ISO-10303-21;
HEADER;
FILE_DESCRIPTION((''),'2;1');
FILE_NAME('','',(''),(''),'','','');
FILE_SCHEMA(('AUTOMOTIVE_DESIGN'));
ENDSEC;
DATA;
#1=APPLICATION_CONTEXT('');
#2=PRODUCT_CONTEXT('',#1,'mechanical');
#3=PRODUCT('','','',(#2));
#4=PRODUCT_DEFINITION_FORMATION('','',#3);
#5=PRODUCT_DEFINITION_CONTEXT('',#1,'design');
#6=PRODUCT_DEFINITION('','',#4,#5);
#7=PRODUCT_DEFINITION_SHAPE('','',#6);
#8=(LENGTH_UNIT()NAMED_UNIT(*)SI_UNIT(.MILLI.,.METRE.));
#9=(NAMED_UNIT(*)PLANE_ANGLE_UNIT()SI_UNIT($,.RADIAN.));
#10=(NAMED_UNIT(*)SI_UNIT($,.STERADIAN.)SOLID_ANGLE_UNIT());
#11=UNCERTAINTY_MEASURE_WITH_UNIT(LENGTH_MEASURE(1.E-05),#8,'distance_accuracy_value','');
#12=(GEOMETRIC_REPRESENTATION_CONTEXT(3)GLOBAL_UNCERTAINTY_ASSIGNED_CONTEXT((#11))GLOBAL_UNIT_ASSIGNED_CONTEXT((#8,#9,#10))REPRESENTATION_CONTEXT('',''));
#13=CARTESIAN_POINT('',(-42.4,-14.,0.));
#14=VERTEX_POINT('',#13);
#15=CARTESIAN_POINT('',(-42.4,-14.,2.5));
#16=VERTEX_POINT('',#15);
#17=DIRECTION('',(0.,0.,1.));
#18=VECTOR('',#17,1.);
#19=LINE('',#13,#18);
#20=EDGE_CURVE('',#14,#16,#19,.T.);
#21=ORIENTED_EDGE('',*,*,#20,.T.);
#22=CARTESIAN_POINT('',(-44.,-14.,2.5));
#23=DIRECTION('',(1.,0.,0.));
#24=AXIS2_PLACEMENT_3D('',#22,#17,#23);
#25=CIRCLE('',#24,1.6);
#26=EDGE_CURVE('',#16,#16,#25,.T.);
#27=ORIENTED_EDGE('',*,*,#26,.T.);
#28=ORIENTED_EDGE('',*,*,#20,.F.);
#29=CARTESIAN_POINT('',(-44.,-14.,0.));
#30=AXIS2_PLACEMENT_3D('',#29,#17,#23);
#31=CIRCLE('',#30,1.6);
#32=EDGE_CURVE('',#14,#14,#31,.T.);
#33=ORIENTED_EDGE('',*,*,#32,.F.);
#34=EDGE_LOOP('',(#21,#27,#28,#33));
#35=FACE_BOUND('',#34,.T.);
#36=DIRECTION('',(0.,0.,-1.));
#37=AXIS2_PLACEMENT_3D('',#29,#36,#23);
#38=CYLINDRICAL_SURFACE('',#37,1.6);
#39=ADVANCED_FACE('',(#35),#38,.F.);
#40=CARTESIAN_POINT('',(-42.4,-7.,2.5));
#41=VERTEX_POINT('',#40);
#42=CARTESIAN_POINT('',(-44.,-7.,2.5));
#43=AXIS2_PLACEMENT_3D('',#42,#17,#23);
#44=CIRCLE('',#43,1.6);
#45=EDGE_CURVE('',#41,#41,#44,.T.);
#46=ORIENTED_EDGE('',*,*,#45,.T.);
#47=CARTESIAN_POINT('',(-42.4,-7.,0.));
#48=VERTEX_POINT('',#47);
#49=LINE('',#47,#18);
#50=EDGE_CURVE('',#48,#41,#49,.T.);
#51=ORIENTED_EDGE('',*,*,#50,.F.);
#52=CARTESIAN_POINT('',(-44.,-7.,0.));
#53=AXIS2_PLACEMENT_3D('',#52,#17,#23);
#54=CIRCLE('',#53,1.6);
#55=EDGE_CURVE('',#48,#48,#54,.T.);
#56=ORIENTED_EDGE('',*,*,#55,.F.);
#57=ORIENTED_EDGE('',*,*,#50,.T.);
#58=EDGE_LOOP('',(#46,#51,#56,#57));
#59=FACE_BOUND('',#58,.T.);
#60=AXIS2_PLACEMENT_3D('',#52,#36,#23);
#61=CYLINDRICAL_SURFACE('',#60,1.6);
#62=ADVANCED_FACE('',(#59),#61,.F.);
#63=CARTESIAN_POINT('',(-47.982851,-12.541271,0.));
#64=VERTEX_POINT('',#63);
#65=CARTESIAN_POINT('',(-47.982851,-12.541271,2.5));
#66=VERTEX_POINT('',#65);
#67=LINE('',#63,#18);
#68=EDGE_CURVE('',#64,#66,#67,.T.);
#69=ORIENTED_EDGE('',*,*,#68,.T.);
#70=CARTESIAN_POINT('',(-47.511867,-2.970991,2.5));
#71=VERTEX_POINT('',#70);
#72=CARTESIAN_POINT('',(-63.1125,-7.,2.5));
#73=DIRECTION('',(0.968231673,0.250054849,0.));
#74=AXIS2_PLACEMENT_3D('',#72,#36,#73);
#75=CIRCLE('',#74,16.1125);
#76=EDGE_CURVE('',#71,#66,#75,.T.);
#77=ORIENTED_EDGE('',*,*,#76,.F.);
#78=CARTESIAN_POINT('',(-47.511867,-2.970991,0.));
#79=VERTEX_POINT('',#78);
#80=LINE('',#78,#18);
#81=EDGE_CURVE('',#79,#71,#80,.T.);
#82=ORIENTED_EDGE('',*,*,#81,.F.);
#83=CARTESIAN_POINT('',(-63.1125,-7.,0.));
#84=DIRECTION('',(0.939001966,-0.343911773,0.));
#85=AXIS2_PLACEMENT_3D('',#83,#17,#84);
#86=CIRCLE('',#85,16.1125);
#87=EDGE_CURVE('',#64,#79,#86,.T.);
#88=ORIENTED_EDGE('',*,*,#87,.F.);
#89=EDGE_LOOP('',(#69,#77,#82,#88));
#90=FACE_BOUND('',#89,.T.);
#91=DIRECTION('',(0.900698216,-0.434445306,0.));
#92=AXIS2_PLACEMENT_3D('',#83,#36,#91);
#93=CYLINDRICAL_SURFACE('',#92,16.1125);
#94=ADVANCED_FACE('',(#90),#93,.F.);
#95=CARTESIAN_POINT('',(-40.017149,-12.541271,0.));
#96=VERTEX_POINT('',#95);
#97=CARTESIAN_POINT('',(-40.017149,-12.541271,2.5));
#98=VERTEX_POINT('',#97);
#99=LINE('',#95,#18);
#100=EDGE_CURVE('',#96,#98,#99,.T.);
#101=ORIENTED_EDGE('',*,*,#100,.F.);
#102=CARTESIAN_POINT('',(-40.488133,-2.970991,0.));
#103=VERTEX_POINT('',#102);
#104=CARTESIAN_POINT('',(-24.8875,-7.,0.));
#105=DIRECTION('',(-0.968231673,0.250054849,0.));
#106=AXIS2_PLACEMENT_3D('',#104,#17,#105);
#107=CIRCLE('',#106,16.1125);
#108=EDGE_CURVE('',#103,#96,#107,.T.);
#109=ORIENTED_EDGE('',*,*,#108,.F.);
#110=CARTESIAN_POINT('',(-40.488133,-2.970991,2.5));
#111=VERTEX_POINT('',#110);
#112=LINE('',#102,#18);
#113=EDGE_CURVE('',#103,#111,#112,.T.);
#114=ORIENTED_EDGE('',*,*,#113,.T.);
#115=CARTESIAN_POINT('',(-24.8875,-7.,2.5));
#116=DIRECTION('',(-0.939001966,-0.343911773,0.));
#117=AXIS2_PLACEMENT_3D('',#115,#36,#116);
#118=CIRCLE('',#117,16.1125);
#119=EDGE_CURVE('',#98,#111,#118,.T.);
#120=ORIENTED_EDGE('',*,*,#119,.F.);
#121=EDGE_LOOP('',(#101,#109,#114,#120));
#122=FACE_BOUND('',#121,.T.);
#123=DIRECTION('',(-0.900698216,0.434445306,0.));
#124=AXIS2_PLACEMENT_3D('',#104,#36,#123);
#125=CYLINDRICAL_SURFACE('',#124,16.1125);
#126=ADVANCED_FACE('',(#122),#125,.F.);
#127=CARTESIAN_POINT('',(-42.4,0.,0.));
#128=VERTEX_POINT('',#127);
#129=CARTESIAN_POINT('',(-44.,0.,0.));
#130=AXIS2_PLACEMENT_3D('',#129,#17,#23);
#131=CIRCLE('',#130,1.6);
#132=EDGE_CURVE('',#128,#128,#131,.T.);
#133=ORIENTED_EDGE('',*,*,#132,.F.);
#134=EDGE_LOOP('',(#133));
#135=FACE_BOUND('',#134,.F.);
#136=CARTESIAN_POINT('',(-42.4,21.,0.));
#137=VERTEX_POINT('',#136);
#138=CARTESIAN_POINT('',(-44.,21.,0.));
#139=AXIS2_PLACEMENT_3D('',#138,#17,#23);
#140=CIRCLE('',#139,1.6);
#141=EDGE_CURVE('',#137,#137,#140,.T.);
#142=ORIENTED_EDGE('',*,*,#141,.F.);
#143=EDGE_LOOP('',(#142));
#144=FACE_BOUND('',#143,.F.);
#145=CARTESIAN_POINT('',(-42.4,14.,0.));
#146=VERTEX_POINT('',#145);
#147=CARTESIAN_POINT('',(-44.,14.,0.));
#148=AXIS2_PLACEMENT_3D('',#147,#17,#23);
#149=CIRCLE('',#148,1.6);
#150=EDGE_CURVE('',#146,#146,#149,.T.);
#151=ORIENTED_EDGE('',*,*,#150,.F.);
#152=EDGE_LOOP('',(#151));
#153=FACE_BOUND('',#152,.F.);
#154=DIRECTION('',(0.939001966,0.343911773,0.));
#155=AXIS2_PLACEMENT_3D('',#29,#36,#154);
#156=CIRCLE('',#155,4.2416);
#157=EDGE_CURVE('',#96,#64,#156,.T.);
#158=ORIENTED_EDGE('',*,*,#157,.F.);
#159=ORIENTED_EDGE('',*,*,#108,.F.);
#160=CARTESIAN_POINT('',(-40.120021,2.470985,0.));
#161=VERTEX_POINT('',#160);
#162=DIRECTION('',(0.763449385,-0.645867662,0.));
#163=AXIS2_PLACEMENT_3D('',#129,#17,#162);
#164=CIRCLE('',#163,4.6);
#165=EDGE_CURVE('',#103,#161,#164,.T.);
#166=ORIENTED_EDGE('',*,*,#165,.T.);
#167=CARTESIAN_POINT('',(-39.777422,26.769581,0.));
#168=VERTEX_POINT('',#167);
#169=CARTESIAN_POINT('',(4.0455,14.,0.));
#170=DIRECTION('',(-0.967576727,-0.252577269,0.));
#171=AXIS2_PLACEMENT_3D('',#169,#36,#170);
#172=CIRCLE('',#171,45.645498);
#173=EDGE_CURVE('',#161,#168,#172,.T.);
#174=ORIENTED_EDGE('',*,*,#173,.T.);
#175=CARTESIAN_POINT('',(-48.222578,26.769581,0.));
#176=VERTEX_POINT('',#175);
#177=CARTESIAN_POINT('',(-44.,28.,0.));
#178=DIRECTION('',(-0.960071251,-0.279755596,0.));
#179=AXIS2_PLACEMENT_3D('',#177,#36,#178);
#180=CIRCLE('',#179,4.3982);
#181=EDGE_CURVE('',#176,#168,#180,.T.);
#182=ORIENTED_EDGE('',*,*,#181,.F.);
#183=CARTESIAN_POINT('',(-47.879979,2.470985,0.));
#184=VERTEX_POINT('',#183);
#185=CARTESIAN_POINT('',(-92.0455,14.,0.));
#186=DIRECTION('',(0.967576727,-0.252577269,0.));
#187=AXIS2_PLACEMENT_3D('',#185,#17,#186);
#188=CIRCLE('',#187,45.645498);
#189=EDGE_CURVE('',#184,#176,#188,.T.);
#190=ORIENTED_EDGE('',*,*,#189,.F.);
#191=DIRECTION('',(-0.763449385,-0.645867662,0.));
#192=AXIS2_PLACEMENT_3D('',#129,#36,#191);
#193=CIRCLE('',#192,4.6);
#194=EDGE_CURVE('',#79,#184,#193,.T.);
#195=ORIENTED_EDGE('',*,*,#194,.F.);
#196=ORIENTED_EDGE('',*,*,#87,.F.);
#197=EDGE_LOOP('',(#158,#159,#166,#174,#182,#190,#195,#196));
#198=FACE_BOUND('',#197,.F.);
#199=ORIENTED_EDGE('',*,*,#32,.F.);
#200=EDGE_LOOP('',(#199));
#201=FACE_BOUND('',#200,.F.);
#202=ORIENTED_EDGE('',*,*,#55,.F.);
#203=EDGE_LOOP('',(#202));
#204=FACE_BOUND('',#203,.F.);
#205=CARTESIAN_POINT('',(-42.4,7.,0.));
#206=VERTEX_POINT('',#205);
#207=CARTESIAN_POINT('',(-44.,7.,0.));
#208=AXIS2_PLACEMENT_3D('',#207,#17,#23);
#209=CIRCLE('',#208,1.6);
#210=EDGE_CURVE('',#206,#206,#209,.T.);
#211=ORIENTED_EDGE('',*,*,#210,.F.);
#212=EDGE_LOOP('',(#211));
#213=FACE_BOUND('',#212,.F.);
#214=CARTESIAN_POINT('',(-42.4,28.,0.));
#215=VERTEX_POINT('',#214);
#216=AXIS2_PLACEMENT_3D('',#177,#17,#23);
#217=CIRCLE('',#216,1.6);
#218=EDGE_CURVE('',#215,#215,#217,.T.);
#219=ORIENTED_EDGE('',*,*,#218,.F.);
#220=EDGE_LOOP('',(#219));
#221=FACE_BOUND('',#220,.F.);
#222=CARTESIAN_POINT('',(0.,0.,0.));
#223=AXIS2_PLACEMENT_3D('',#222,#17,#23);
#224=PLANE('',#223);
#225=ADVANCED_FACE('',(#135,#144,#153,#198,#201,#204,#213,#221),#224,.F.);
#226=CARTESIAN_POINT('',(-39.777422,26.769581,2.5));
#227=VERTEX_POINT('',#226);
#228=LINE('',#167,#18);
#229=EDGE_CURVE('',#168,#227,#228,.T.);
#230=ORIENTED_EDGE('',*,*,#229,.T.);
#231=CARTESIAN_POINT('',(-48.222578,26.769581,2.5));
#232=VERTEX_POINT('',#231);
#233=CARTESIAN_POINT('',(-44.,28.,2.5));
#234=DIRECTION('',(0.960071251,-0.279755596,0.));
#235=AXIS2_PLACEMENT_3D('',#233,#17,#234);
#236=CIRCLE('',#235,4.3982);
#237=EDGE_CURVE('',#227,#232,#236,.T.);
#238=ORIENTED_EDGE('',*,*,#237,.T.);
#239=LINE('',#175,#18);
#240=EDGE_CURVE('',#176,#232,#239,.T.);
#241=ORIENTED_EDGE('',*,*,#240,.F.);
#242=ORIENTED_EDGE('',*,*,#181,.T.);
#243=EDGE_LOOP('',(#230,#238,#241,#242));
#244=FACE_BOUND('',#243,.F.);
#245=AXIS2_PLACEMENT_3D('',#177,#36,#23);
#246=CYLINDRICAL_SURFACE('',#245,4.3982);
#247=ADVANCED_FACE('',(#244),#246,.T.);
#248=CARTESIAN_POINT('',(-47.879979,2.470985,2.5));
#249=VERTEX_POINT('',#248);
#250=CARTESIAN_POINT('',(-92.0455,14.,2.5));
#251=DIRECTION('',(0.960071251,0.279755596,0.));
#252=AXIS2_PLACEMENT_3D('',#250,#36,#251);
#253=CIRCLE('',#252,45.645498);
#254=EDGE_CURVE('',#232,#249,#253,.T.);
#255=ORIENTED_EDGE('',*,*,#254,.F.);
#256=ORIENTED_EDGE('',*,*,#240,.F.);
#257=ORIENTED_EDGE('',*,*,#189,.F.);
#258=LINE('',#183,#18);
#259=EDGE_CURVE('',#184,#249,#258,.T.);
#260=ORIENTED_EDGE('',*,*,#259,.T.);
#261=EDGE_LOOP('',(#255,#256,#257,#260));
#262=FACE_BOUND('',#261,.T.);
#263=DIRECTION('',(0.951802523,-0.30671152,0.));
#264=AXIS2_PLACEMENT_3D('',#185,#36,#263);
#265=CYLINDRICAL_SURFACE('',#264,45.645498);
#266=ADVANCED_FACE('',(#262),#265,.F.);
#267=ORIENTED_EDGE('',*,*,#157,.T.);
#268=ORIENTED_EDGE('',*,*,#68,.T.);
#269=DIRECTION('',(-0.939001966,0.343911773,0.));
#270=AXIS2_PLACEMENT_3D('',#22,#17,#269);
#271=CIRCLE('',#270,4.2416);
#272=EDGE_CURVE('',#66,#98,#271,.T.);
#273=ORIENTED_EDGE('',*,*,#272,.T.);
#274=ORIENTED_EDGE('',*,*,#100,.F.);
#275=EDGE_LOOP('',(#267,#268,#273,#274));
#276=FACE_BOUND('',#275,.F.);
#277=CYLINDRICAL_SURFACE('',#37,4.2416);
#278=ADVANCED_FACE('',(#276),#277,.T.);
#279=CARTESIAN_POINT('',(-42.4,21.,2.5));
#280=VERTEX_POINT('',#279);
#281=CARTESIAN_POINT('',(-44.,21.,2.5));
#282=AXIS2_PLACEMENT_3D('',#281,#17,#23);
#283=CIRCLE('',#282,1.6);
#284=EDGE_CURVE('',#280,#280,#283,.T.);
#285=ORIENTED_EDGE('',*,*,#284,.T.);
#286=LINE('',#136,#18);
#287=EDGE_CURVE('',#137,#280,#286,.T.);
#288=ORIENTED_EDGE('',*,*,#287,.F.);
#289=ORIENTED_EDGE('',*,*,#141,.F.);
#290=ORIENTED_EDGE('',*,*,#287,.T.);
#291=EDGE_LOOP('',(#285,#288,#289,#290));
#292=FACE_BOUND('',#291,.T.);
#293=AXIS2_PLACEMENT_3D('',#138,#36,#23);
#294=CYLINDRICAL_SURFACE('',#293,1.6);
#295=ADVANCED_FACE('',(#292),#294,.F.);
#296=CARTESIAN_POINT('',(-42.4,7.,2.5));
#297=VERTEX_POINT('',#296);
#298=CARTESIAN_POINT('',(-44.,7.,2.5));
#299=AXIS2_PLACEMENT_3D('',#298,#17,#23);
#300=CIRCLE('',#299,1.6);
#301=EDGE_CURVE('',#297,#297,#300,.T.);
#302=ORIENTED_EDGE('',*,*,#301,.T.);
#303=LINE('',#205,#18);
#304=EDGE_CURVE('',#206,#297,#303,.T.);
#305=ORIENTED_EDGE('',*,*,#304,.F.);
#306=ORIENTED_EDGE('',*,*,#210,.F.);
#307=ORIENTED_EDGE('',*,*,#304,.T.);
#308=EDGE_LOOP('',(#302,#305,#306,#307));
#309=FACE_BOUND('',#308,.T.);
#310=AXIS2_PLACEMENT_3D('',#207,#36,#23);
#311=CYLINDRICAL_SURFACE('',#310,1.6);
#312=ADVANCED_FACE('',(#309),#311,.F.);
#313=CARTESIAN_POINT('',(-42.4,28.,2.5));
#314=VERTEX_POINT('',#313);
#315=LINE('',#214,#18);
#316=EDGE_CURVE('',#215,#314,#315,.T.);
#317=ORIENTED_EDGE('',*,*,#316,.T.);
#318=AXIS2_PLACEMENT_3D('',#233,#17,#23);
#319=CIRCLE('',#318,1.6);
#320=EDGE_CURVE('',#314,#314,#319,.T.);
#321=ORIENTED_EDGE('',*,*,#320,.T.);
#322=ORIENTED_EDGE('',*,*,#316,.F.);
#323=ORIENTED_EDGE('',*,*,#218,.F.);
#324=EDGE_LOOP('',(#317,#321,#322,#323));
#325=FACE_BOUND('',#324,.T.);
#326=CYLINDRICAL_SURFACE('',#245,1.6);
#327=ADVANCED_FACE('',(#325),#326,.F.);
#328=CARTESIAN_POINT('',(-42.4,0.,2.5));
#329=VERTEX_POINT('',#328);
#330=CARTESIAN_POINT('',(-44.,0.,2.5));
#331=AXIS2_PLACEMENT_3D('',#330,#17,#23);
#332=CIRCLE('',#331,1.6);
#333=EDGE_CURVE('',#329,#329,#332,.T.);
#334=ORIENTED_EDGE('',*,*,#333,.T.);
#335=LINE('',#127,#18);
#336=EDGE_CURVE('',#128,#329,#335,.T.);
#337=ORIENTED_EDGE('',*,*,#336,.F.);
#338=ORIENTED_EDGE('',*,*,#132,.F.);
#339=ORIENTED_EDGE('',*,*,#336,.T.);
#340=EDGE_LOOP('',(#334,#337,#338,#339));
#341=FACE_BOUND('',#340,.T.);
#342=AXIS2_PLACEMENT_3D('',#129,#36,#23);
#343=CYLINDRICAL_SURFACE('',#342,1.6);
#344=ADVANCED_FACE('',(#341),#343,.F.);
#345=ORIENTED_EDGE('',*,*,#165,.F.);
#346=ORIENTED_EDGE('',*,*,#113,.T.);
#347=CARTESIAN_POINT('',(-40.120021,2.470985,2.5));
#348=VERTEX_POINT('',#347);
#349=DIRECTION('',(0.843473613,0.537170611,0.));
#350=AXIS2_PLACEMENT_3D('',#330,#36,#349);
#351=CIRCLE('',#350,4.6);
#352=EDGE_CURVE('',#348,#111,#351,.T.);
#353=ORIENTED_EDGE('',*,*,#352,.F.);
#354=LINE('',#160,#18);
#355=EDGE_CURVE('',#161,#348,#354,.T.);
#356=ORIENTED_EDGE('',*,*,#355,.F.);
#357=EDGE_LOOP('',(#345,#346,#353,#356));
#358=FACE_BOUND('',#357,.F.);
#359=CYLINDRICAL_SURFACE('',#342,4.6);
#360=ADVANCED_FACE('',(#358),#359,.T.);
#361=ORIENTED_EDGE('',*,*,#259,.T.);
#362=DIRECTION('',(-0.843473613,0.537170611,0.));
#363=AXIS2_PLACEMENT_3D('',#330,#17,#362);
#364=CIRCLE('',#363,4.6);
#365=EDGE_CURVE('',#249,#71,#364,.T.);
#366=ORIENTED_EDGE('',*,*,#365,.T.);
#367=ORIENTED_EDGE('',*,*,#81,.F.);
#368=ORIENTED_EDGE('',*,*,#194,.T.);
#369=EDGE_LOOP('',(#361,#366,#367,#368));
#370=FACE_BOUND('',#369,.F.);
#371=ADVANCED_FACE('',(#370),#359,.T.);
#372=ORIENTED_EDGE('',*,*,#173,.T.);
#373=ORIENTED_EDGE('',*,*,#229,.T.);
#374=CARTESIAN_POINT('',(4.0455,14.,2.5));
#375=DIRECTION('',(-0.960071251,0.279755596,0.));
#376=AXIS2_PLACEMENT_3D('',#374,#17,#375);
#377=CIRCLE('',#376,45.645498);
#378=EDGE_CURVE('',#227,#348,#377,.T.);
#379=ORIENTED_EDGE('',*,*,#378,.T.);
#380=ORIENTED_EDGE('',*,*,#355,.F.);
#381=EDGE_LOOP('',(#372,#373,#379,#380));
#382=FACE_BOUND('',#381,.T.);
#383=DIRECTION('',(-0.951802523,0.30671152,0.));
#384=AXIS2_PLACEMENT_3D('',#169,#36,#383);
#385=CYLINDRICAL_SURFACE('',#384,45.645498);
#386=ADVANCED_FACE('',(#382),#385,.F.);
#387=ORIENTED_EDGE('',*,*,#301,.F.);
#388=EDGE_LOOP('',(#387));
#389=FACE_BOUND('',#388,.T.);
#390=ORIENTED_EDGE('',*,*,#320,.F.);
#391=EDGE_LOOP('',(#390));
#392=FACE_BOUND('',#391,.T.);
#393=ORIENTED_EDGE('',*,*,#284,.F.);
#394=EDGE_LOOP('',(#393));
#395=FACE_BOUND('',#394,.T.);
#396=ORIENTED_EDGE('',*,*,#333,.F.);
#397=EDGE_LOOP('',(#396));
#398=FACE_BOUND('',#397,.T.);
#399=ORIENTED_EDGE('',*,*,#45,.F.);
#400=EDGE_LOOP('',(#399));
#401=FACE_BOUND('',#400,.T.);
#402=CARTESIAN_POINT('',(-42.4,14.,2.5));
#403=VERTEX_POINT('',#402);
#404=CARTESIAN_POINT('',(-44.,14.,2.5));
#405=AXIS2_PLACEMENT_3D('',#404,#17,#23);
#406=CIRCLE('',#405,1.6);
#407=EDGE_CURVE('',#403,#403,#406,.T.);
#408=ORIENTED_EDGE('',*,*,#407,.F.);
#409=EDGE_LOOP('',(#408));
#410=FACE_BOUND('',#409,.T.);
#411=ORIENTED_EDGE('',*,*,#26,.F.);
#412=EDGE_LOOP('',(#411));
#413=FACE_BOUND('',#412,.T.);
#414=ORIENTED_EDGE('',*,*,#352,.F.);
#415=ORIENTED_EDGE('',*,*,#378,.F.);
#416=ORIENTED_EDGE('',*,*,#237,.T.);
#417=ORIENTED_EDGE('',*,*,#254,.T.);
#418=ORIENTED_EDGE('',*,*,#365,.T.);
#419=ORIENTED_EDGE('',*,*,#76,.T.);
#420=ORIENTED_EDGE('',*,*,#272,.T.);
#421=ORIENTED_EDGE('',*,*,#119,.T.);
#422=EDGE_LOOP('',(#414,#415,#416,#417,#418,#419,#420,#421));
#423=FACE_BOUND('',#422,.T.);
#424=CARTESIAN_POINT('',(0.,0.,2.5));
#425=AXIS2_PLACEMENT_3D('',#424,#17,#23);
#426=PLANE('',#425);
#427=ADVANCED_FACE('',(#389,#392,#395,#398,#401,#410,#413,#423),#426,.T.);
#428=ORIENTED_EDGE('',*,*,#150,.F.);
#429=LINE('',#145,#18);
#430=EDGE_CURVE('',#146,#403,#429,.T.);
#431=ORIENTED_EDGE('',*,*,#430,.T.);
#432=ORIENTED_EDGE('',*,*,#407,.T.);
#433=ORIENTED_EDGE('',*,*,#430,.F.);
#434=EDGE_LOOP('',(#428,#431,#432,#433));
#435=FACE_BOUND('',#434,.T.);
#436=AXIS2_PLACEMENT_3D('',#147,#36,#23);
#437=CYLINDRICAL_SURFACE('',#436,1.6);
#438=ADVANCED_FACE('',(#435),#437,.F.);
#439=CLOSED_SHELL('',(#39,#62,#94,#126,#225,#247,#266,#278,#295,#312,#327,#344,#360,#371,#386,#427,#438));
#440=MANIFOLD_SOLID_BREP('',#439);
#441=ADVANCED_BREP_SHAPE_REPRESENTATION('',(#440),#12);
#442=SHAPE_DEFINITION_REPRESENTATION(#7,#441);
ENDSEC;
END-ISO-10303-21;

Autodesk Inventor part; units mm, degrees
ref_plane "YZ Plane" through (0, 0, 0) normal (1, 0, 0) x (0, 1, 0)
ref_plane "XZ Plane" through (0, 0, 0) normal (0, 1, 0) x (-1, 0, 0)
ref_plane "XY Plane" through (0, 0, 0) normal (0, 0, 1) x (1, 0, 0)
ref_plane "Work Plane1" through (0, 0, 0) normal (0, 0, 1) x (1, 0, 0)
sketch "Sketch1" plane through (0, 0, 0) normal (0, 0, 1) x (1, 0, 0)
  circle A0 centre (-44, 0) radius 1.6 projected
  circle A1 centre (-44, 0) radius 4.6
  line L0 (-48.6, 50) -> (-48.6, -25) construction
  circle A2 centre (-44, 0) radius 1.6
  circle A3 centre (-44, -7) radius 1.6
  circle A4 centre (-44, -7) radius 4.6
  circle A5 centre (-44, 7) radius 1.6
  circle A6 centre (-44, 7) radius 4.6
  circle A7 centre (-44, 0) radius 1.6
  circle A8 centre (-44, 0) radius 4.6
  circle A9 centre (-44, 14) radius 1.6
  circle A10 centre (-44, 14) radius 4.6
  circle A11 centre (-44, 7) radius 1.6
  circle A12 centre (-44, 7) radius 4.6
  circle A13 centre (-44, 21) radius 1.6
  circle A14 centre (-44, 21) radius 4.6
  circle A15 centre (-44, 14) radius 1.6
  circle A16 centre (-44, 14) radius 4.6
  circle A17 centre (-44, -14) radius 1.6
  circle A18 centre (-44, -14) radius 4.6
  circle A19 centre (-44, -7) radius 1.6
  circle A20 centre (-44, -7) radius 4.6
  circle A21 centre (-44, 0) radius 1.6
  circle A22 centre (-44, 0) radius 4.6
  circle A23 centre (-44, 7) radius 1.6
  circle A24 centre (-44, 7) radius 4.6
  circle A25 centre (-44, 28) radius 1.6
  circle A26 centre (-44, 28) radius 4.6
  circle A27 centre (-44, 21) radius 1.6
  circle A28 centre (-44, 21) radius 4.6
  circle A29 centre (-44, 14) radius 1.6
  circle A30 centre (-44, 14) radius 4.6
  arc A31 (-39.4, 0) -> (-39.4, -14) centre (-24.8875, -7) ccw
  arc A32 (-39.4, 28) -> (-39.4, 0) centre (4.0455, 14) ccw
  arc A33 (-48.6, -14) -> (-48.6, 0) centre (-63.1125, -7) ccw
  arc A34 (-48.6, 0) -> (-48.6, 28) centre (-92.0455, 14) ccw
  circle A35 centre (-44, -14) radius 4.2416
  circle A36 centre (-44, 28) radius 4.3982
  point P0 (0, 0)
  point P1 (-41.6, 14)
  point P2 (-41, -7)
  point P3 (-47, -7)
  point P4 (-46.4, 14)
  point P5 (-40.4881, -11.029)
  point P6 (-40.4881, -2.971)
  point P7 (-47.5119, -2.971)
  point P8 (-47.5119, -11.029)
  point P9 (-40.12, 2.471)
  point P10 (-40.12, 25.529)
  point P11 (-47.88, 25.529)
  point P12 (-47.88, 2.471)
  point P13 (-39.7774, 26.7696)
  point P14 (-48.2226, 26.7696)
  point P15 (-47.9828, -12.5413)
  point P16 (-40.0172, -12.5413)
  dimension "d0" = 3
  dimension "d1" = 9.2
  dimension "d8" = 7
  dimension "d11" = 7
  dimension "d18" = 2.4
  dimension "d19" = 3
  dimension "d20" = 3
  dimension "d21" = 2.4
extrude "Extrusion1" add sketch "Sketch1" along normal blind 2.5 contours A32 A1 | A1 A31 | A31 A1 A4 A33 A34 A6 A32 | A1 A6 A32 | A31 A4 A1 | A6 A1 | A1 A6 A34 A10 A32 | A4 A31 A18 A33 A1 | A1 A4 | A1 A34 A6 | A10 A34 A6 A32 | A4 A33 A1 | A31 A18 A4 | A34 A1 | A6 A34 A14 A32 | A1 A33 | A18 A31 A35 A4 | A4 A35 A18 | A14 A34 A10 A32 | A4 A18 A33 | A35 A4 | A4 A35 | A4 A35 A33 A18 | A10 A34 A14 A26 A32 | A34 A26 A14 | A14 A26 A32 | A26 A34 A36 A14 | A14 A36 A26 | A14 A36 A32 A26 | A36 A14 | A14 A36
equation "\"d20\" = d19"
equation "\"d21\" = d18"
properties part number "see-saw-arm"
